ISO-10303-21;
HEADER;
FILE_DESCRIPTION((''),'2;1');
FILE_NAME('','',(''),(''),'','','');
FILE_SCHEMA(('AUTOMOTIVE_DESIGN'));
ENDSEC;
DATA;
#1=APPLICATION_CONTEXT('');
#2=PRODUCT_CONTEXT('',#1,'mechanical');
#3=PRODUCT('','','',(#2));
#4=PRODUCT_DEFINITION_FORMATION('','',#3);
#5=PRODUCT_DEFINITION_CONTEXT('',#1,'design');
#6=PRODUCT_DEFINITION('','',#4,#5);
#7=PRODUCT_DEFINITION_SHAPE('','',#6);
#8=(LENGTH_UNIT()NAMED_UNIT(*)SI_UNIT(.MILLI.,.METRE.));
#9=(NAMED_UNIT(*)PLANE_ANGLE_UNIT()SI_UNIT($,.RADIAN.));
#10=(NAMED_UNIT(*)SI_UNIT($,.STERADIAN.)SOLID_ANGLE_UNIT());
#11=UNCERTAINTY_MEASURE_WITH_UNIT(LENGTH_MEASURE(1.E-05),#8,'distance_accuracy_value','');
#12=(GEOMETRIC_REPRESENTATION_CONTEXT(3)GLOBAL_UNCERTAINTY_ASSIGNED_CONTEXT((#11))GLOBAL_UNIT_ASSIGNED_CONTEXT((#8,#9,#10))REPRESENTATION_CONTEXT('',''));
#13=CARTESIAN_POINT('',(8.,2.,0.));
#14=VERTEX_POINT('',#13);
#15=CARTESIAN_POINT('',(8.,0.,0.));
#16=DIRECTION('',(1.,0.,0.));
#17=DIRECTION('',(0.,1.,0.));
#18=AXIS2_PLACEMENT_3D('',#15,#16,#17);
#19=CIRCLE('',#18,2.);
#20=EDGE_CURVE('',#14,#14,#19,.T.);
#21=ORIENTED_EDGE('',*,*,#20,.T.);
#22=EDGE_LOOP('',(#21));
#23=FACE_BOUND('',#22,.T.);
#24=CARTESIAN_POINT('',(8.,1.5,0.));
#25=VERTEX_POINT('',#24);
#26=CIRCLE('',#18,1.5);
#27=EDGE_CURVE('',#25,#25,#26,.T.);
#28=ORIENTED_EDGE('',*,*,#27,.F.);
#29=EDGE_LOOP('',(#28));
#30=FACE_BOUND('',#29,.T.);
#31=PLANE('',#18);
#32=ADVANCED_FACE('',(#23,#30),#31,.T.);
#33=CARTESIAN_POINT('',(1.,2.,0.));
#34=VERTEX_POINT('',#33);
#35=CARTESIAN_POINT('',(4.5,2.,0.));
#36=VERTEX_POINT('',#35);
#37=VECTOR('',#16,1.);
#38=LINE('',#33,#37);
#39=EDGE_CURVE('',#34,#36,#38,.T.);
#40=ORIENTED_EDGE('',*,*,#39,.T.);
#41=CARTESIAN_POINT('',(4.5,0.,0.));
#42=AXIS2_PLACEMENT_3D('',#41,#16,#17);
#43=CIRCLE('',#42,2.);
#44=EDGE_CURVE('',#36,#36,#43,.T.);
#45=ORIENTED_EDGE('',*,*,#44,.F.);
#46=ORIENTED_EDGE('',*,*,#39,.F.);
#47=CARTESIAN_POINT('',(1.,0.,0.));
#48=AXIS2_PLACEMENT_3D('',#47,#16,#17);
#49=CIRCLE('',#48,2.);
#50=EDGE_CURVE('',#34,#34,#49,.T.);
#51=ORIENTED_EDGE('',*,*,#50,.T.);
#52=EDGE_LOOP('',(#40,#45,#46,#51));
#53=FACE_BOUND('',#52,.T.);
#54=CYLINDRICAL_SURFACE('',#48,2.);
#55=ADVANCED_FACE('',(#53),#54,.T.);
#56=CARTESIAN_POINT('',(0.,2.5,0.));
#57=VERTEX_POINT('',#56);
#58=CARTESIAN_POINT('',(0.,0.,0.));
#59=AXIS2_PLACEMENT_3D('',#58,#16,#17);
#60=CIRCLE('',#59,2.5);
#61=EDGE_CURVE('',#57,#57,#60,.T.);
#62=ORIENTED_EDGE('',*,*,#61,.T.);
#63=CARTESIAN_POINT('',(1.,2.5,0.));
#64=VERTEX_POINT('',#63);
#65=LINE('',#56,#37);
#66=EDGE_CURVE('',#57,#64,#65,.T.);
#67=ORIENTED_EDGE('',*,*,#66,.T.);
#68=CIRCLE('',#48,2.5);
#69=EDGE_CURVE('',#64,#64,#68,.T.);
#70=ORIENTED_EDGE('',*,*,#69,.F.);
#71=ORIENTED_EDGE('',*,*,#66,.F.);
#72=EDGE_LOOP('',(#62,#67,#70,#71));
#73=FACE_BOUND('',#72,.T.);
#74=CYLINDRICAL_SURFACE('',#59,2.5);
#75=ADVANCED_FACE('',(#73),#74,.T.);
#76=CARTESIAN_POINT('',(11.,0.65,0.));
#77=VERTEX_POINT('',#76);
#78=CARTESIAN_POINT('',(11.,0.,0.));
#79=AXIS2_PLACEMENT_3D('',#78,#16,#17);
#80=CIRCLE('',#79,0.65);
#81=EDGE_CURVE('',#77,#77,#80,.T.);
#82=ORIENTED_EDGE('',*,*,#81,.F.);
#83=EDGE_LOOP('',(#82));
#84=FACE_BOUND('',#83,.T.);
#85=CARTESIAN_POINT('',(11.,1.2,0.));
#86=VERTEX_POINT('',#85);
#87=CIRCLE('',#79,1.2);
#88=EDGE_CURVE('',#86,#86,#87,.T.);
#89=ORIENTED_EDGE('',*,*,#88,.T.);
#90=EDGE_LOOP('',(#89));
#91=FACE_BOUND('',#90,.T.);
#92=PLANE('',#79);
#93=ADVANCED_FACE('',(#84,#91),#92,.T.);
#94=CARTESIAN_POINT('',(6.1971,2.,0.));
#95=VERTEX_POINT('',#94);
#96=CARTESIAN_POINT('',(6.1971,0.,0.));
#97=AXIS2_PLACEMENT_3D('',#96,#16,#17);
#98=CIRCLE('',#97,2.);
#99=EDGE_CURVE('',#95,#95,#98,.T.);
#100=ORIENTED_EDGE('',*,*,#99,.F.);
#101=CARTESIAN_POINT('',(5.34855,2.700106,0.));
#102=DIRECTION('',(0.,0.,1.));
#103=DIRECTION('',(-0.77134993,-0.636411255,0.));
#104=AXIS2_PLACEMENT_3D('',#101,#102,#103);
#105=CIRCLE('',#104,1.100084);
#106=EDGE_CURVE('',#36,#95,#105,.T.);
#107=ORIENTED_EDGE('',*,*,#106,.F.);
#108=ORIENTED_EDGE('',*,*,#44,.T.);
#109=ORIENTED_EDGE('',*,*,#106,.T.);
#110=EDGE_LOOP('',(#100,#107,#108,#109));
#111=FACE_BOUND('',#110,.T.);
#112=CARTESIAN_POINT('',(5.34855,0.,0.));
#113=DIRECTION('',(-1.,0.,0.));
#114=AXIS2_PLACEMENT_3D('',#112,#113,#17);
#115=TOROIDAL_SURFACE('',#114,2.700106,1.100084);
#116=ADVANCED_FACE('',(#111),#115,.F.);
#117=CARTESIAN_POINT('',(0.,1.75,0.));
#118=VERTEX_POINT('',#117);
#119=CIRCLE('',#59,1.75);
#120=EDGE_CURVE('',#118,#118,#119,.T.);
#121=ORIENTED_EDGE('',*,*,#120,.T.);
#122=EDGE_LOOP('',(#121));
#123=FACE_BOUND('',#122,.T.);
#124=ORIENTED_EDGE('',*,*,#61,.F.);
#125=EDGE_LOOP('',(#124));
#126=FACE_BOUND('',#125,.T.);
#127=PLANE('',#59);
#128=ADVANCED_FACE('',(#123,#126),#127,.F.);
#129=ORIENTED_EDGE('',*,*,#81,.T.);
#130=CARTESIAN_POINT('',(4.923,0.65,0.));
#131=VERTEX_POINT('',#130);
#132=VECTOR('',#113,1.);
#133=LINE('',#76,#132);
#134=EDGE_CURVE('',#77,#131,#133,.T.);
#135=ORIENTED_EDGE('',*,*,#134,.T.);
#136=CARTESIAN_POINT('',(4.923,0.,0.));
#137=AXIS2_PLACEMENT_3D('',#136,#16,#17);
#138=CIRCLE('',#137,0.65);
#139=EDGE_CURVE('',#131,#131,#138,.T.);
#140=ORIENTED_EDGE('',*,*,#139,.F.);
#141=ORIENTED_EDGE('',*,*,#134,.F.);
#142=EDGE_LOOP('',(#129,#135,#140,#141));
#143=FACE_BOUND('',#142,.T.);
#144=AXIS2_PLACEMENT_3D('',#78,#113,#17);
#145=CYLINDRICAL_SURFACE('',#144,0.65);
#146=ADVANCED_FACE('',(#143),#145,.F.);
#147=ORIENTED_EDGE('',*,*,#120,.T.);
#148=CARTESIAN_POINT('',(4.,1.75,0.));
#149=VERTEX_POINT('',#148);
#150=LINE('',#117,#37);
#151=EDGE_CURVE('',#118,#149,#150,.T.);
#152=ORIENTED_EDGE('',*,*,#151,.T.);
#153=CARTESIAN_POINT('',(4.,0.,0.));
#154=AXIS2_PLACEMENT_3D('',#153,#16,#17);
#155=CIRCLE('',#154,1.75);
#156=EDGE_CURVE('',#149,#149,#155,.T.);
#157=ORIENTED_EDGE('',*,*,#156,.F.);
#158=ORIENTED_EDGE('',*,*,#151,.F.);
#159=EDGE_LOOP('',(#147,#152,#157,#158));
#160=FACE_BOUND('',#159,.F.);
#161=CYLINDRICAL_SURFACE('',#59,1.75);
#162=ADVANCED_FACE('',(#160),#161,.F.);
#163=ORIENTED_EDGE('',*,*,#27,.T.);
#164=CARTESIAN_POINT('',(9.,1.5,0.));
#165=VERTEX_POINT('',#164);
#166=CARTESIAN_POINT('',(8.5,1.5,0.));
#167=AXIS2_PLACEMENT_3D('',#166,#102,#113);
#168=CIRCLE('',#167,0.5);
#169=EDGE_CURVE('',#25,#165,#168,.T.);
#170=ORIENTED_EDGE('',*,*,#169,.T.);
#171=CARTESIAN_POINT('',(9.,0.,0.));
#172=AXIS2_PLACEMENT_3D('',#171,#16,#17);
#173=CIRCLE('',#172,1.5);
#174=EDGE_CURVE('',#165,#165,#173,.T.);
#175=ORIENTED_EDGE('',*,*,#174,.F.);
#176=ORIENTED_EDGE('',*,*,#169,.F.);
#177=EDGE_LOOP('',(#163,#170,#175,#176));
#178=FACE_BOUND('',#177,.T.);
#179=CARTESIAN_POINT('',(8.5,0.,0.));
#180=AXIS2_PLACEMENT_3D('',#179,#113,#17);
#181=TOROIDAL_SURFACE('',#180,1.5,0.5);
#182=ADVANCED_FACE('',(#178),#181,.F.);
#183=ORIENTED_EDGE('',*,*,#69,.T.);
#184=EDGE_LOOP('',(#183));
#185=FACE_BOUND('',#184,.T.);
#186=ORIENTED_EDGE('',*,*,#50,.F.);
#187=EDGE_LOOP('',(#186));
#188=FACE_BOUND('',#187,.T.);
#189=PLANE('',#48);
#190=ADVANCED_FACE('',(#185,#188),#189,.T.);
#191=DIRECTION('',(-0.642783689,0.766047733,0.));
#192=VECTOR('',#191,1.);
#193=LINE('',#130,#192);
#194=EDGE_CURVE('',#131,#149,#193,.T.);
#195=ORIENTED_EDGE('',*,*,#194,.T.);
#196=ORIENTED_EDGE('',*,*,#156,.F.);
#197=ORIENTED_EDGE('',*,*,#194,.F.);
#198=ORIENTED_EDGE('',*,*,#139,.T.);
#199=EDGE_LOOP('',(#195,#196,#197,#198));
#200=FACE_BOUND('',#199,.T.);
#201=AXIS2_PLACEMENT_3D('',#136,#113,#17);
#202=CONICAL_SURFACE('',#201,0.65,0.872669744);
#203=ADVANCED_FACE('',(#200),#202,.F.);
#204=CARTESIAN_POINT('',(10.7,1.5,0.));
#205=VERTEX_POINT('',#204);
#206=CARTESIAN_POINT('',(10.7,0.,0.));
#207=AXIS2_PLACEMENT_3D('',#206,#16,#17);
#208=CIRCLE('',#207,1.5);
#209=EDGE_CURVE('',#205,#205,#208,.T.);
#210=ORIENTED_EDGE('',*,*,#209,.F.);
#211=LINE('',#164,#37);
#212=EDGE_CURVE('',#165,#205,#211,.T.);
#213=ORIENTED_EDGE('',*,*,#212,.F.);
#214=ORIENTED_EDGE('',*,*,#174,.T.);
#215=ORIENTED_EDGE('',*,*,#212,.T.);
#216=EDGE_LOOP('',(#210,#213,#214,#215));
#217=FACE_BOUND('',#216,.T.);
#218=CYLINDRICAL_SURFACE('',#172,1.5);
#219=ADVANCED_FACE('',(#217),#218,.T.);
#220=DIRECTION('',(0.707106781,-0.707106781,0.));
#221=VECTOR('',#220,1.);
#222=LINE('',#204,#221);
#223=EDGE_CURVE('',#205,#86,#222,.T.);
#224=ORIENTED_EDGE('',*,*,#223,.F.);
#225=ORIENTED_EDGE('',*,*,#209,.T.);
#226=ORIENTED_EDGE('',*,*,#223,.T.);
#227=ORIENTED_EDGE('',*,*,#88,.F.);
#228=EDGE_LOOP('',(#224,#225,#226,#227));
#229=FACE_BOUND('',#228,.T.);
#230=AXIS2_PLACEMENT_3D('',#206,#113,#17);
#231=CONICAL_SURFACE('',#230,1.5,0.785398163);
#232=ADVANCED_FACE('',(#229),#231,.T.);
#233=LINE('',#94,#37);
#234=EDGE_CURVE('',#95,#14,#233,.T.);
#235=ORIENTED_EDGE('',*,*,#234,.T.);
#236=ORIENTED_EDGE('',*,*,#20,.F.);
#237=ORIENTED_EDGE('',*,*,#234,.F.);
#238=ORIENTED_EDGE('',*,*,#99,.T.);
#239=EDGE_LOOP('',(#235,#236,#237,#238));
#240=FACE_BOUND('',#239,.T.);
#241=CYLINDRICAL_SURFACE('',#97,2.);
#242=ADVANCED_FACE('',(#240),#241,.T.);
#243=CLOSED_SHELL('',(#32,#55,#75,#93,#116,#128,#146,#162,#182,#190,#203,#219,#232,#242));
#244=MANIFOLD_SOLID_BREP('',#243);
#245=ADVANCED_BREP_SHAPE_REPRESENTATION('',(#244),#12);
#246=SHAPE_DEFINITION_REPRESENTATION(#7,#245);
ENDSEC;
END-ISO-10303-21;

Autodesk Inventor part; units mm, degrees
ref_plane "YZ Plane" through (0, 0, 0) normal (1, 0, 0) x (0, 1, 0)
ref_plane "XZ Plane" through (0, 0, 0) normal (0, 1, 0) x (-1, 0, 0)
ref_plane "XY Plane" through (0, 0, 0) normal (0, 0, 1) x (1, 0, 0)
sketch "Skizze1" plane through (0, 0, 0) normal (0, 0, 1) x (1, 0, 0)
  line L0 (0, -1.0072) -> (0, 6.0435) projected
  line L1 (-2.2, 0) -> (13.2, 0) projected
  line L2 (0, 2.5) -> (0, 1.75)
  line L3 (0, 2.5) -> (1, 2.5)
  line L4 (1, 2.5) -> (1, 2)
  line L5 (1, 2) -> (4.5, 2)
  line L6 (0, 1.75) -> (4, 1.75)
  arc A0 (4.5, 2) -> (6.1971, 2) centre (5.3485, 2.7) ccw
  line L7 (6.1971, 2) -> (8, 2)
  line L8 (8, 2) -> (8, 1.5)
  arc A1 (8, 1.5) -> (9, 1.5) centre (8.5, 1.5) ccw
  line L9 (9, 1.5) -> (11, 1.5)
  line L10 (11, 1.5) -> (11, 0.65)
  line L11 (11, 0.65) -> (4.923, 0.65)
  line L12 (4.923, 0.65) -> (4, 1.75)
  line L13 (5.3485, 5.0362) -> (5.3485, 0.3638) construction
  point P0 (0, 0)
  dimension "d0" = 4
  dimension "d1" = 5
  dimension "d2" = 3.5
  dimension "d3" = 4
  dimension "d4" = 1.3
  dimension "d6" = 6.5
  dimension "d7" = 0.5
  dimension "d8" = 3
  dimension "d9" = 3
  dimension "d10" = 11
  dimension "d11" = 1
  dimension "d13" = 3.2
  dimension "d14" = 1.1
  dimension "d15" = 130
revolve "Umdrehung1" add sketch "Skizze1" angle 360 about axis through (-10, 0, 0) along (1, 0, 0)
thread "Gewinde1" size "M3x0.5" class "6g" standard "ANSI Metric M Profile" full length
chamfer "Fase1" distance 0.3 angle 45 1 edges at (11, -1.5, 0)
properties part number "Öler"
